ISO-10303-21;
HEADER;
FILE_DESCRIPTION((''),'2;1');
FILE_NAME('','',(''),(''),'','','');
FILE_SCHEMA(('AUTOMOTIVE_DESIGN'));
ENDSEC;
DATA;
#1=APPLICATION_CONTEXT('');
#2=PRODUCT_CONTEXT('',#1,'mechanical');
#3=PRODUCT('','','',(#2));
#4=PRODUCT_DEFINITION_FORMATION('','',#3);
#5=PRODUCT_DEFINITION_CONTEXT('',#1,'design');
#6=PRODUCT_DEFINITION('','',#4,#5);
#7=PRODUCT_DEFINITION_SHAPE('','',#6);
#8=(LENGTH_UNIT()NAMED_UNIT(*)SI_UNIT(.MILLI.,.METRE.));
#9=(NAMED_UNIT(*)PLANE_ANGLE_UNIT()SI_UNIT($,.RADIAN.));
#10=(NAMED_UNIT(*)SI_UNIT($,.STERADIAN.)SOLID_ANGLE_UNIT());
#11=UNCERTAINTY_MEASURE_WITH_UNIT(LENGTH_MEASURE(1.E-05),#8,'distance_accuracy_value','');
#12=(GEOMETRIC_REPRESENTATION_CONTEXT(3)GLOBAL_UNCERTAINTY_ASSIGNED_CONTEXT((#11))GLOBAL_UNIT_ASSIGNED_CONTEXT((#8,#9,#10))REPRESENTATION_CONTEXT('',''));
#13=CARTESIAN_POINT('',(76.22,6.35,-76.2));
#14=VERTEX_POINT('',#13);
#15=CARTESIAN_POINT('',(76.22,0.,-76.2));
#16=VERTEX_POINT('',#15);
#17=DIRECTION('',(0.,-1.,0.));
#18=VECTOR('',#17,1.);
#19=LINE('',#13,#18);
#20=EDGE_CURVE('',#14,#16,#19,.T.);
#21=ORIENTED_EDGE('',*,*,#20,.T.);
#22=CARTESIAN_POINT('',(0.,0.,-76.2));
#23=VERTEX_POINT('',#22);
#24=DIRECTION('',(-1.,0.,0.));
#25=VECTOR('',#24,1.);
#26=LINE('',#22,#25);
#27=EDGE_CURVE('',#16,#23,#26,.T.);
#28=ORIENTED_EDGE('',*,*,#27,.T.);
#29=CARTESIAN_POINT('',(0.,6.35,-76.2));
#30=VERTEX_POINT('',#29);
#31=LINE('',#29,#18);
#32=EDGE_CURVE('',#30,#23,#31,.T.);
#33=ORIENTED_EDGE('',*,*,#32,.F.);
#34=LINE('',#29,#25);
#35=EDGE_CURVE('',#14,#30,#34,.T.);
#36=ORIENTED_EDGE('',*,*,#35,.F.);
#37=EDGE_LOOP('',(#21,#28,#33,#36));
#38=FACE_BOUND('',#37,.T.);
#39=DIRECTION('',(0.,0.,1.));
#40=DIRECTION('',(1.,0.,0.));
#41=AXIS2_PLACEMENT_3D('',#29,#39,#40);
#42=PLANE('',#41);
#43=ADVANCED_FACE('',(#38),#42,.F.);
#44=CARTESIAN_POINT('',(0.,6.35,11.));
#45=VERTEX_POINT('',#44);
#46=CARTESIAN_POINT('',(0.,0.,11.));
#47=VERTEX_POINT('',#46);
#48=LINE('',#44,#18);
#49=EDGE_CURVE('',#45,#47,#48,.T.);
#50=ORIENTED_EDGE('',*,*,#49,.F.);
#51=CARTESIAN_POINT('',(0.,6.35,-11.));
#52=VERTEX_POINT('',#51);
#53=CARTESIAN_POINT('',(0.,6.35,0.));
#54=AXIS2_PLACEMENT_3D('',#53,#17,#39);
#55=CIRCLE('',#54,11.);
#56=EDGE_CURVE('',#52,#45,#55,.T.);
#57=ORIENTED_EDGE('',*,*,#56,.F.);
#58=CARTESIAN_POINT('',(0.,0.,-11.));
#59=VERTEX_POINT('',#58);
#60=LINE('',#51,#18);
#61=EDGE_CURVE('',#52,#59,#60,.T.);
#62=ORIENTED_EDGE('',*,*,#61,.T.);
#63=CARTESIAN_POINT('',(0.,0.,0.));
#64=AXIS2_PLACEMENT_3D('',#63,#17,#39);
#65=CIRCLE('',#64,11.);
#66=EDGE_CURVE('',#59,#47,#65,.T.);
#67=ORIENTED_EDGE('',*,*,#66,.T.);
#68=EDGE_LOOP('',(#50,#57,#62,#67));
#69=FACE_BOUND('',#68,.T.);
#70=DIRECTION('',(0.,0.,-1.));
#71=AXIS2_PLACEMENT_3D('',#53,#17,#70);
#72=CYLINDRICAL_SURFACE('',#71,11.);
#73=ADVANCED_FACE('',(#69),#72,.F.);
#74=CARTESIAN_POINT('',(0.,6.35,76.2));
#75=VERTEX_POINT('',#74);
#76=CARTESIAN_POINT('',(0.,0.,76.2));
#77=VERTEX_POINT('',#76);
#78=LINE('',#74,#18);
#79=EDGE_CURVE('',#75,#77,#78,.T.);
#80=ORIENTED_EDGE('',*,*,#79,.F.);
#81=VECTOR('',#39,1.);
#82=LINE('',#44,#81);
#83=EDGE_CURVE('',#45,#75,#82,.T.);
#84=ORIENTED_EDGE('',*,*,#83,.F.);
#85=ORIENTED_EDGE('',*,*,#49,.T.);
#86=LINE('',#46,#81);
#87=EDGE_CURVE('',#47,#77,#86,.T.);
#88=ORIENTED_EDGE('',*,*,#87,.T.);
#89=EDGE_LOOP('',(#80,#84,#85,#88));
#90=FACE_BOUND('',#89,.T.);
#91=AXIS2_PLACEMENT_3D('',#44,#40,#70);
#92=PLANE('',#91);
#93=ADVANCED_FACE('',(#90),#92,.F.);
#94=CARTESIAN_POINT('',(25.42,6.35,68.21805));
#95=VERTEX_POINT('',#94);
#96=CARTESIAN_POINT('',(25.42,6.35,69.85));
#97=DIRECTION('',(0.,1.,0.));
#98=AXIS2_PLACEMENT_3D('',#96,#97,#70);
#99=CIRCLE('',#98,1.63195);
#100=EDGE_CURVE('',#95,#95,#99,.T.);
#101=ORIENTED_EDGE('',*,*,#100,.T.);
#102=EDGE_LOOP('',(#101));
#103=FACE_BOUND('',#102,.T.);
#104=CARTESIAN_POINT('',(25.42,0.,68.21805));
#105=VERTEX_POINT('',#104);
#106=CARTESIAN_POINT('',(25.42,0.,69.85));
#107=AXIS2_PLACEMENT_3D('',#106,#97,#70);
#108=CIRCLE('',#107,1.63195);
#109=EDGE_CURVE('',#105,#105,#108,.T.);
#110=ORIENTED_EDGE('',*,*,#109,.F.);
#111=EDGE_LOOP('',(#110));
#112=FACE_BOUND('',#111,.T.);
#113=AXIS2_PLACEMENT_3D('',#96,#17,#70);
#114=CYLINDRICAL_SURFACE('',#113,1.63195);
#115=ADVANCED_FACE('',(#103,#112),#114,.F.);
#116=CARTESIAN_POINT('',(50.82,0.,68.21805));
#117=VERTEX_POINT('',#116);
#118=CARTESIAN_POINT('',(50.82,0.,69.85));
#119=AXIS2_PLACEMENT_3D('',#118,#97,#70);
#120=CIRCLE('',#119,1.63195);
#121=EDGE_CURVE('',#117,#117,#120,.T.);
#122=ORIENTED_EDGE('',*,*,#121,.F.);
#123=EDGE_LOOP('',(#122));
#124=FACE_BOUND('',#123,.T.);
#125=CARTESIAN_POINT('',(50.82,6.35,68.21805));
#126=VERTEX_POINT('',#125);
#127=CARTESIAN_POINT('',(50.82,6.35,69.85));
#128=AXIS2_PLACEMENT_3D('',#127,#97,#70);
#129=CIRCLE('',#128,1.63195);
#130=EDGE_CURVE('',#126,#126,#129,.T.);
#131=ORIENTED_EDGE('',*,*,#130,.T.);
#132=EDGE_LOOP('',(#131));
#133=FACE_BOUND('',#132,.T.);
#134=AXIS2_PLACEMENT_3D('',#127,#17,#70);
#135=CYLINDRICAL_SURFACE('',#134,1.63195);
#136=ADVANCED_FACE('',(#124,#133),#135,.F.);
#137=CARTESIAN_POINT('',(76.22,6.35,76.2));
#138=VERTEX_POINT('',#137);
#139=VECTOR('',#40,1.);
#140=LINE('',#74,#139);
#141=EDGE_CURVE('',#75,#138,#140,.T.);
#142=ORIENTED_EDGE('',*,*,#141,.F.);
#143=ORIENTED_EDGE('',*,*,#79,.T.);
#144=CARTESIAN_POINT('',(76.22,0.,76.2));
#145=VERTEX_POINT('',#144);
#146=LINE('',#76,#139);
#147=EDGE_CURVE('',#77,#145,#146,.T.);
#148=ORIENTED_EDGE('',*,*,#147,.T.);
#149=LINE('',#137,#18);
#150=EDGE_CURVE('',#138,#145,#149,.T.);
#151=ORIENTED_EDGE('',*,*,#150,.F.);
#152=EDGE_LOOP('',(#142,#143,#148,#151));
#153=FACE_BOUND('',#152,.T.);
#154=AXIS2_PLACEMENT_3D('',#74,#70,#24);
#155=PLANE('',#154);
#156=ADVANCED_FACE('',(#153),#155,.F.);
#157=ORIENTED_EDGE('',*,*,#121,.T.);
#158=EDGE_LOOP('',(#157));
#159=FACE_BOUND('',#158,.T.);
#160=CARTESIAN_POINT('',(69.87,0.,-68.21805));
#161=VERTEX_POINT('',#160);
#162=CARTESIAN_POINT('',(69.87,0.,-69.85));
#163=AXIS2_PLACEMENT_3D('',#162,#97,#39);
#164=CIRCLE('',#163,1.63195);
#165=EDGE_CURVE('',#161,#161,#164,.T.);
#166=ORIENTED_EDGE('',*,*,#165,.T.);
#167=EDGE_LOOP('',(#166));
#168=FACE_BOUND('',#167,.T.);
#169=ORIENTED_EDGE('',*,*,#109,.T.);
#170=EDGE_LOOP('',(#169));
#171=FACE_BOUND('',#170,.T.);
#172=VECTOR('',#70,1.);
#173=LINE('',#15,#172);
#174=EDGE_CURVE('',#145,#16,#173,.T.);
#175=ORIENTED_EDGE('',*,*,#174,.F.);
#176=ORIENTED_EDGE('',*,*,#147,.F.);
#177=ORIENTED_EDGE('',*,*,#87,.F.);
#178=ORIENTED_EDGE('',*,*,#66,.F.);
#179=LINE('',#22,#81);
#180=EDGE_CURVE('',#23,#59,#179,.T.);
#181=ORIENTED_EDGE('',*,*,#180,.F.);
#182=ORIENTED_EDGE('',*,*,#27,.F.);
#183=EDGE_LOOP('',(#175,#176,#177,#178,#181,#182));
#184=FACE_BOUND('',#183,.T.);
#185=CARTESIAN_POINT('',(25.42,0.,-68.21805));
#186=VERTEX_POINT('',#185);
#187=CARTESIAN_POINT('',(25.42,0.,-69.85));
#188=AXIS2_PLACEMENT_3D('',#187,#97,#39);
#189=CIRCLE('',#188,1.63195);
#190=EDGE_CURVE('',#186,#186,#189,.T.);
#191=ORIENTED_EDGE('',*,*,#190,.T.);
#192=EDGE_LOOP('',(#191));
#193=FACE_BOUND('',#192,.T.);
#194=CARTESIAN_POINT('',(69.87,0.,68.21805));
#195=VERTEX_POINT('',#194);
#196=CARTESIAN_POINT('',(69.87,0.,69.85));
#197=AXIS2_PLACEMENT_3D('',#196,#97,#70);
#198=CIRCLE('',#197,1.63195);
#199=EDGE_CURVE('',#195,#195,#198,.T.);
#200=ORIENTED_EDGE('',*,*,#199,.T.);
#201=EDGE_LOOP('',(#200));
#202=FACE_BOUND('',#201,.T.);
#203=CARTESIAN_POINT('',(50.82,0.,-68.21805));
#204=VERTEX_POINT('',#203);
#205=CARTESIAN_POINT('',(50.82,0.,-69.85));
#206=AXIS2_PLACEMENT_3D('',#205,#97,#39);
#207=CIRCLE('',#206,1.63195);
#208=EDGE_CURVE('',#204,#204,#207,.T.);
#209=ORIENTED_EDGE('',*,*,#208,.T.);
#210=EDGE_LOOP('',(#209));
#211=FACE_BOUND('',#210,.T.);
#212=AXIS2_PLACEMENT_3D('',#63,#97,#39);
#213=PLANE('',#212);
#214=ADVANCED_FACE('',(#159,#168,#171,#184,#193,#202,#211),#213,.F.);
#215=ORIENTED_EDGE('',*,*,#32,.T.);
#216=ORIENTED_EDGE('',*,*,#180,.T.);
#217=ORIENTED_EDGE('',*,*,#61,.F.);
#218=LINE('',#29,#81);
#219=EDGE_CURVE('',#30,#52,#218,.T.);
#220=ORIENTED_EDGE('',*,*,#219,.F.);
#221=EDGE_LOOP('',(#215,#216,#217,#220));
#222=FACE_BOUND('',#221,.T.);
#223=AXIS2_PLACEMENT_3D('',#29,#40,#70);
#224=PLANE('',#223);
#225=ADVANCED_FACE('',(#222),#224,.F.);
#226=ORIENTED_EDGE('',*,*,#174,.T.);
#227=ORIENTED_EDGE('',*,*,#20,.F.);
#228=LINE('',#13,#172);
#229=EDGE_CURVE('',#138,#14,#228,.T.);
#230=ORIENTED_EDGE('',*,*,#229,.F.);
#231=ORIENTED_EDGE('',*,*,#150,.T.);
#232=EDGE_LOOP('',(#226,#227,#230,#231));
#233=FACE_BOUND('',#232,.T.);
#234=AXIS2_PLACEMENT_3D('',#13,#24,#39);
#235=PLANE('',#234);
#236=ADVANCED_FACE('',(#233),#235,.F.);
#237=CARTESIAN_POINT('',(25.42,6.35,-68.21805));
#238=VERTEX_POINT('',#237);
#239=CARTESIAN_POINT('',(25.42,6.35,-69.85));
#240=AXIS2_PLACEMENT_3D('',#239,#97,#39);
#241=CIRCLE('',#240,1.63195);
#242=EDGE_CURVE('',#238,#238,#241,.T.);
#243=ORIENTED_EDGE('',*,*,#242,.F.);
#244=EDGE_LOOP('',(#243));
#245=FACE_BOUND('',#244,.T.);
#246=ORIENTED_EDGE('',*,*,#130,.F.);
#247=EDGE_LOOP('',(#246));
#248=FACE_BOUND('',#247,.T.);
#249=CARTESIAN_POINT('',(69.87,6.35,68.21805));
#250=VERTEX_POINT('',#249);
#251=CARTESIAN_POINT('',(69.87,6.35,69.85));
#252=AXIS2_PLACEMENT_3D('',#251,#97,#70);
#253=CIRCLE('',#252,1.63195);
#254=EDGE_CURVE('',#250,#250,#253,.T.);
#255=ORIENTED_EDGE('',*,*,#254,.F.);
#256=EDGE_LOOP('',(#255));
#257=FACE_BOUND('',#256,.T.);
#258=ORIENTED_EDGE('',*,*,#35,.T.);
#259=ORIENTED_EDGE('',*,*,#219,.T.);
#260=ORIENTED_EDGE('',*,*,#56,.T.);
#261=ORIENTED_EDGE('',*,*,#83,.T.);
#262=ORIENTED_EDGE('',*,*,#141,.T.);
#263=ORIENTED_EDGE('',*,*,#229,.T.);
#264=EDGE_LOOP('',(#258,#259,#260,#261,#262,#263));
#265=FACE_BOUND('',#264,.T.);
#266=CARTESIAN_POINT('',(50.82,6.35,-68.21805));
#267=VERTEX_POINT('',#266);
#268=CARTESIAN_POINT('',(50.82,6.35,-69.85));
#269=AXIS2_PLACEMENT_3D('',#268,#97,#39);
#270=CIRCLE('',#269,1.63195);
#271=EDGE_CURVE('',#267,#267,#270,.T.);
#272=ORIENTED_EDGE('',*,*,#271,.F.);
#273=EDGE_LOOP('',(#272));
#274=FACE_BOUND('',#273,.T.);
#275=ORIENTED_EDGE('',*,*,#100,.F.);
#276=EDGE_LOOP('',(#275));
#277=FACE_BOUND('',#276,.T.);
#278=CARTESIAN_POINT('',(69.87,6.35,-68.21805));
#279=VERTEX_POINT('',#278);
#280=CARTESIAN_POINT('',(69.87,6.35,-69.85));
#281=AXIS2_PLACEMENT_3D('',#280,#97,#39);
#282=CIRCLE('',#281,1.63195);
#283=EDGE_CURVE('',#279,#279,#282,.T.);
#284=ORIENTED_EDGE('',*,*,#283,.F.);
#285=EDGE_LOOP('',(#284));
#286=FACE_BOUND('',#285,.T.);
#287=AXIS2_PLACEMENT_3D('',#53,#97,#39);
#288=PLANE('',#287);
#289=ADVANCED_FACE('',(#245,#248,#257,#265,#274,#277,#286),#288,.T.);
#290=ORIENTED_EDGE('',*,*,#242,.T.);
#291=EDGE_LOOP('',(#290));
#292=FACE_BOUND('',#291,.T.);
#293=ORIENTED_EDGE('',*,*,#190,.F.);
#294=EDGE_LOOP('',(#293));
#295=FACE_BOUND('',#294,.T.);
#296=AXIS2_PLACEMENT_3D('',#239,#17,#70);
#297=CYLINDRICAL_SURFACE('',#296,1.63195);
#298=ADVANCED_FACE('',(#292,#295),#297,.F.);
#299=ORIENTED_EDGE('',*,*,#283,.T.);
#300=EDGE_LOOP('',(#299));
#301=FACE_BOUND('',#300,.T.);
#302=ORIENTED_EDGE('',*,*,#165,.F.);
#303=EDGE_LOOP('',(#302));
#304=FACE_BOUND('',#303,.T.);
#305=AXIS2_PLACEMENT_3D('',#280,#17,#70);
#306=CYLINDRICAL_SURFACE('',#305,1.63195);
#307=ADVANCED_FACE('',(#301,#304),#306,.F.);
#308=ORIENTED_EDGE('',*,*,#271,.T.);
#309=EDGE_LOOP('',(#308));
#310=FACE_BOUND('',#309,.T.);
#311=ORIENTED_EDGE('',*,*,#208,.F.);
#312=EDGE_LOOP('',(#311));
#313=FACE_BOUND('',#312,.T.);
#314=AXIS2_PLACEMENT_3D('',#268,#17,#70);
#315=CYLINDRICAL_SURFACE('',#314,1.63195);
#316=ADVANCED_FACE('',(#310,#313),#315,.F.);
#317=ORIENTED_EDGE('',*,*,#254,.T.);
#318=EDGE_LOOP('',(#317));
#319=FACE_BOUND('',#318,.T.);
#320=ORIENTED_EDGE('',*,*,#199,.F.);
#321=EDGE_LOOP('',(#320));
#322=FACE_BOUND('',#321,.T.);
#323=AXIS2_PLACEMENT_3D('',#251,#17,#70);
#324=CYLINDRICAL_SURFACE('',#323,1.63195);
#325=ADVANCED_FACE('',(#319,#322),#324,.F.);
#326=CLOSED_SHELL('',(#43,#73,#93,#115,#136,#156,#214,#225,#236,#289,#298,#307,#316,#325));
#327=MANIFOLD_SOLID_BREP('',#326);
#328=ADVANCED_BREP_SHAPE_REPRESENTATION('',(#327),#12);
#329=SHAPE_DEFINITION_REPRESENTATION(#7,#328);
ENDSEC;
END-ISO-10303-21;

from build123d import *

# Parameters (mm, degrees)
SKETCH1_R           = 1.63195
BOSS_EXTRUDE1_DEPTH = 6.35


with BuildPart() as part:
    # Sketch1 → Boss-Extrude1 (new body)
    with BuildSketch(Plane(origin=(0, 0, 0), x_dir=(1, 0, 0), z_dir=(0, 1, 0))):
        with BuildLine():
            Line((0, -11), (0, -76.2))
            Line((0, -76.2), (76.22, -76.2))
            Line((76.22, -76.2), (76.22, 76.2))
            Line((76.22, 76.2), (0, 76.2))
            Line((0, 76.2), (0, 11))
            ThreePointArc((0, 11), (11, 0), (0, -11))
        make_face()
        with Locations(Location((69.87, 69.85, 0), (0, 0, 270))):
            Circle(SKETCH1_R, mode=Mode.SUBTRACT)
        with Locations(Location((69.87, -69.85, 0), (0, 0, 90))):
            Circle(SKETCH1_R, mode=Mode.SUBTRACT)
        with Locations(Location((50.82, 69.85, 0), (0, 0, 270))):
            Circle(SKETCH1_R, mode=Mode.SUBTRACT)
        with Locations(Location((25.42, 69.85, 0), (0, 0, 270))):
            Circle(SKETCH1_R, mode=Mode.SUBTRACT)
        with Locations(Location((50.82, -69.85, 0), (0, 0, 90))):
            Circle(SKETCH1_R, mode=Mode.SUBTRACT)
        with Locations(Location((25.42, -69.85, 0), (0, 0, 90))):
            Circle(SKETCH1_R, mode=Mode.SUBTRACT)
    extrude(amount=BOSS_EXTRUDE1_DEPTH)


solid = part.part
